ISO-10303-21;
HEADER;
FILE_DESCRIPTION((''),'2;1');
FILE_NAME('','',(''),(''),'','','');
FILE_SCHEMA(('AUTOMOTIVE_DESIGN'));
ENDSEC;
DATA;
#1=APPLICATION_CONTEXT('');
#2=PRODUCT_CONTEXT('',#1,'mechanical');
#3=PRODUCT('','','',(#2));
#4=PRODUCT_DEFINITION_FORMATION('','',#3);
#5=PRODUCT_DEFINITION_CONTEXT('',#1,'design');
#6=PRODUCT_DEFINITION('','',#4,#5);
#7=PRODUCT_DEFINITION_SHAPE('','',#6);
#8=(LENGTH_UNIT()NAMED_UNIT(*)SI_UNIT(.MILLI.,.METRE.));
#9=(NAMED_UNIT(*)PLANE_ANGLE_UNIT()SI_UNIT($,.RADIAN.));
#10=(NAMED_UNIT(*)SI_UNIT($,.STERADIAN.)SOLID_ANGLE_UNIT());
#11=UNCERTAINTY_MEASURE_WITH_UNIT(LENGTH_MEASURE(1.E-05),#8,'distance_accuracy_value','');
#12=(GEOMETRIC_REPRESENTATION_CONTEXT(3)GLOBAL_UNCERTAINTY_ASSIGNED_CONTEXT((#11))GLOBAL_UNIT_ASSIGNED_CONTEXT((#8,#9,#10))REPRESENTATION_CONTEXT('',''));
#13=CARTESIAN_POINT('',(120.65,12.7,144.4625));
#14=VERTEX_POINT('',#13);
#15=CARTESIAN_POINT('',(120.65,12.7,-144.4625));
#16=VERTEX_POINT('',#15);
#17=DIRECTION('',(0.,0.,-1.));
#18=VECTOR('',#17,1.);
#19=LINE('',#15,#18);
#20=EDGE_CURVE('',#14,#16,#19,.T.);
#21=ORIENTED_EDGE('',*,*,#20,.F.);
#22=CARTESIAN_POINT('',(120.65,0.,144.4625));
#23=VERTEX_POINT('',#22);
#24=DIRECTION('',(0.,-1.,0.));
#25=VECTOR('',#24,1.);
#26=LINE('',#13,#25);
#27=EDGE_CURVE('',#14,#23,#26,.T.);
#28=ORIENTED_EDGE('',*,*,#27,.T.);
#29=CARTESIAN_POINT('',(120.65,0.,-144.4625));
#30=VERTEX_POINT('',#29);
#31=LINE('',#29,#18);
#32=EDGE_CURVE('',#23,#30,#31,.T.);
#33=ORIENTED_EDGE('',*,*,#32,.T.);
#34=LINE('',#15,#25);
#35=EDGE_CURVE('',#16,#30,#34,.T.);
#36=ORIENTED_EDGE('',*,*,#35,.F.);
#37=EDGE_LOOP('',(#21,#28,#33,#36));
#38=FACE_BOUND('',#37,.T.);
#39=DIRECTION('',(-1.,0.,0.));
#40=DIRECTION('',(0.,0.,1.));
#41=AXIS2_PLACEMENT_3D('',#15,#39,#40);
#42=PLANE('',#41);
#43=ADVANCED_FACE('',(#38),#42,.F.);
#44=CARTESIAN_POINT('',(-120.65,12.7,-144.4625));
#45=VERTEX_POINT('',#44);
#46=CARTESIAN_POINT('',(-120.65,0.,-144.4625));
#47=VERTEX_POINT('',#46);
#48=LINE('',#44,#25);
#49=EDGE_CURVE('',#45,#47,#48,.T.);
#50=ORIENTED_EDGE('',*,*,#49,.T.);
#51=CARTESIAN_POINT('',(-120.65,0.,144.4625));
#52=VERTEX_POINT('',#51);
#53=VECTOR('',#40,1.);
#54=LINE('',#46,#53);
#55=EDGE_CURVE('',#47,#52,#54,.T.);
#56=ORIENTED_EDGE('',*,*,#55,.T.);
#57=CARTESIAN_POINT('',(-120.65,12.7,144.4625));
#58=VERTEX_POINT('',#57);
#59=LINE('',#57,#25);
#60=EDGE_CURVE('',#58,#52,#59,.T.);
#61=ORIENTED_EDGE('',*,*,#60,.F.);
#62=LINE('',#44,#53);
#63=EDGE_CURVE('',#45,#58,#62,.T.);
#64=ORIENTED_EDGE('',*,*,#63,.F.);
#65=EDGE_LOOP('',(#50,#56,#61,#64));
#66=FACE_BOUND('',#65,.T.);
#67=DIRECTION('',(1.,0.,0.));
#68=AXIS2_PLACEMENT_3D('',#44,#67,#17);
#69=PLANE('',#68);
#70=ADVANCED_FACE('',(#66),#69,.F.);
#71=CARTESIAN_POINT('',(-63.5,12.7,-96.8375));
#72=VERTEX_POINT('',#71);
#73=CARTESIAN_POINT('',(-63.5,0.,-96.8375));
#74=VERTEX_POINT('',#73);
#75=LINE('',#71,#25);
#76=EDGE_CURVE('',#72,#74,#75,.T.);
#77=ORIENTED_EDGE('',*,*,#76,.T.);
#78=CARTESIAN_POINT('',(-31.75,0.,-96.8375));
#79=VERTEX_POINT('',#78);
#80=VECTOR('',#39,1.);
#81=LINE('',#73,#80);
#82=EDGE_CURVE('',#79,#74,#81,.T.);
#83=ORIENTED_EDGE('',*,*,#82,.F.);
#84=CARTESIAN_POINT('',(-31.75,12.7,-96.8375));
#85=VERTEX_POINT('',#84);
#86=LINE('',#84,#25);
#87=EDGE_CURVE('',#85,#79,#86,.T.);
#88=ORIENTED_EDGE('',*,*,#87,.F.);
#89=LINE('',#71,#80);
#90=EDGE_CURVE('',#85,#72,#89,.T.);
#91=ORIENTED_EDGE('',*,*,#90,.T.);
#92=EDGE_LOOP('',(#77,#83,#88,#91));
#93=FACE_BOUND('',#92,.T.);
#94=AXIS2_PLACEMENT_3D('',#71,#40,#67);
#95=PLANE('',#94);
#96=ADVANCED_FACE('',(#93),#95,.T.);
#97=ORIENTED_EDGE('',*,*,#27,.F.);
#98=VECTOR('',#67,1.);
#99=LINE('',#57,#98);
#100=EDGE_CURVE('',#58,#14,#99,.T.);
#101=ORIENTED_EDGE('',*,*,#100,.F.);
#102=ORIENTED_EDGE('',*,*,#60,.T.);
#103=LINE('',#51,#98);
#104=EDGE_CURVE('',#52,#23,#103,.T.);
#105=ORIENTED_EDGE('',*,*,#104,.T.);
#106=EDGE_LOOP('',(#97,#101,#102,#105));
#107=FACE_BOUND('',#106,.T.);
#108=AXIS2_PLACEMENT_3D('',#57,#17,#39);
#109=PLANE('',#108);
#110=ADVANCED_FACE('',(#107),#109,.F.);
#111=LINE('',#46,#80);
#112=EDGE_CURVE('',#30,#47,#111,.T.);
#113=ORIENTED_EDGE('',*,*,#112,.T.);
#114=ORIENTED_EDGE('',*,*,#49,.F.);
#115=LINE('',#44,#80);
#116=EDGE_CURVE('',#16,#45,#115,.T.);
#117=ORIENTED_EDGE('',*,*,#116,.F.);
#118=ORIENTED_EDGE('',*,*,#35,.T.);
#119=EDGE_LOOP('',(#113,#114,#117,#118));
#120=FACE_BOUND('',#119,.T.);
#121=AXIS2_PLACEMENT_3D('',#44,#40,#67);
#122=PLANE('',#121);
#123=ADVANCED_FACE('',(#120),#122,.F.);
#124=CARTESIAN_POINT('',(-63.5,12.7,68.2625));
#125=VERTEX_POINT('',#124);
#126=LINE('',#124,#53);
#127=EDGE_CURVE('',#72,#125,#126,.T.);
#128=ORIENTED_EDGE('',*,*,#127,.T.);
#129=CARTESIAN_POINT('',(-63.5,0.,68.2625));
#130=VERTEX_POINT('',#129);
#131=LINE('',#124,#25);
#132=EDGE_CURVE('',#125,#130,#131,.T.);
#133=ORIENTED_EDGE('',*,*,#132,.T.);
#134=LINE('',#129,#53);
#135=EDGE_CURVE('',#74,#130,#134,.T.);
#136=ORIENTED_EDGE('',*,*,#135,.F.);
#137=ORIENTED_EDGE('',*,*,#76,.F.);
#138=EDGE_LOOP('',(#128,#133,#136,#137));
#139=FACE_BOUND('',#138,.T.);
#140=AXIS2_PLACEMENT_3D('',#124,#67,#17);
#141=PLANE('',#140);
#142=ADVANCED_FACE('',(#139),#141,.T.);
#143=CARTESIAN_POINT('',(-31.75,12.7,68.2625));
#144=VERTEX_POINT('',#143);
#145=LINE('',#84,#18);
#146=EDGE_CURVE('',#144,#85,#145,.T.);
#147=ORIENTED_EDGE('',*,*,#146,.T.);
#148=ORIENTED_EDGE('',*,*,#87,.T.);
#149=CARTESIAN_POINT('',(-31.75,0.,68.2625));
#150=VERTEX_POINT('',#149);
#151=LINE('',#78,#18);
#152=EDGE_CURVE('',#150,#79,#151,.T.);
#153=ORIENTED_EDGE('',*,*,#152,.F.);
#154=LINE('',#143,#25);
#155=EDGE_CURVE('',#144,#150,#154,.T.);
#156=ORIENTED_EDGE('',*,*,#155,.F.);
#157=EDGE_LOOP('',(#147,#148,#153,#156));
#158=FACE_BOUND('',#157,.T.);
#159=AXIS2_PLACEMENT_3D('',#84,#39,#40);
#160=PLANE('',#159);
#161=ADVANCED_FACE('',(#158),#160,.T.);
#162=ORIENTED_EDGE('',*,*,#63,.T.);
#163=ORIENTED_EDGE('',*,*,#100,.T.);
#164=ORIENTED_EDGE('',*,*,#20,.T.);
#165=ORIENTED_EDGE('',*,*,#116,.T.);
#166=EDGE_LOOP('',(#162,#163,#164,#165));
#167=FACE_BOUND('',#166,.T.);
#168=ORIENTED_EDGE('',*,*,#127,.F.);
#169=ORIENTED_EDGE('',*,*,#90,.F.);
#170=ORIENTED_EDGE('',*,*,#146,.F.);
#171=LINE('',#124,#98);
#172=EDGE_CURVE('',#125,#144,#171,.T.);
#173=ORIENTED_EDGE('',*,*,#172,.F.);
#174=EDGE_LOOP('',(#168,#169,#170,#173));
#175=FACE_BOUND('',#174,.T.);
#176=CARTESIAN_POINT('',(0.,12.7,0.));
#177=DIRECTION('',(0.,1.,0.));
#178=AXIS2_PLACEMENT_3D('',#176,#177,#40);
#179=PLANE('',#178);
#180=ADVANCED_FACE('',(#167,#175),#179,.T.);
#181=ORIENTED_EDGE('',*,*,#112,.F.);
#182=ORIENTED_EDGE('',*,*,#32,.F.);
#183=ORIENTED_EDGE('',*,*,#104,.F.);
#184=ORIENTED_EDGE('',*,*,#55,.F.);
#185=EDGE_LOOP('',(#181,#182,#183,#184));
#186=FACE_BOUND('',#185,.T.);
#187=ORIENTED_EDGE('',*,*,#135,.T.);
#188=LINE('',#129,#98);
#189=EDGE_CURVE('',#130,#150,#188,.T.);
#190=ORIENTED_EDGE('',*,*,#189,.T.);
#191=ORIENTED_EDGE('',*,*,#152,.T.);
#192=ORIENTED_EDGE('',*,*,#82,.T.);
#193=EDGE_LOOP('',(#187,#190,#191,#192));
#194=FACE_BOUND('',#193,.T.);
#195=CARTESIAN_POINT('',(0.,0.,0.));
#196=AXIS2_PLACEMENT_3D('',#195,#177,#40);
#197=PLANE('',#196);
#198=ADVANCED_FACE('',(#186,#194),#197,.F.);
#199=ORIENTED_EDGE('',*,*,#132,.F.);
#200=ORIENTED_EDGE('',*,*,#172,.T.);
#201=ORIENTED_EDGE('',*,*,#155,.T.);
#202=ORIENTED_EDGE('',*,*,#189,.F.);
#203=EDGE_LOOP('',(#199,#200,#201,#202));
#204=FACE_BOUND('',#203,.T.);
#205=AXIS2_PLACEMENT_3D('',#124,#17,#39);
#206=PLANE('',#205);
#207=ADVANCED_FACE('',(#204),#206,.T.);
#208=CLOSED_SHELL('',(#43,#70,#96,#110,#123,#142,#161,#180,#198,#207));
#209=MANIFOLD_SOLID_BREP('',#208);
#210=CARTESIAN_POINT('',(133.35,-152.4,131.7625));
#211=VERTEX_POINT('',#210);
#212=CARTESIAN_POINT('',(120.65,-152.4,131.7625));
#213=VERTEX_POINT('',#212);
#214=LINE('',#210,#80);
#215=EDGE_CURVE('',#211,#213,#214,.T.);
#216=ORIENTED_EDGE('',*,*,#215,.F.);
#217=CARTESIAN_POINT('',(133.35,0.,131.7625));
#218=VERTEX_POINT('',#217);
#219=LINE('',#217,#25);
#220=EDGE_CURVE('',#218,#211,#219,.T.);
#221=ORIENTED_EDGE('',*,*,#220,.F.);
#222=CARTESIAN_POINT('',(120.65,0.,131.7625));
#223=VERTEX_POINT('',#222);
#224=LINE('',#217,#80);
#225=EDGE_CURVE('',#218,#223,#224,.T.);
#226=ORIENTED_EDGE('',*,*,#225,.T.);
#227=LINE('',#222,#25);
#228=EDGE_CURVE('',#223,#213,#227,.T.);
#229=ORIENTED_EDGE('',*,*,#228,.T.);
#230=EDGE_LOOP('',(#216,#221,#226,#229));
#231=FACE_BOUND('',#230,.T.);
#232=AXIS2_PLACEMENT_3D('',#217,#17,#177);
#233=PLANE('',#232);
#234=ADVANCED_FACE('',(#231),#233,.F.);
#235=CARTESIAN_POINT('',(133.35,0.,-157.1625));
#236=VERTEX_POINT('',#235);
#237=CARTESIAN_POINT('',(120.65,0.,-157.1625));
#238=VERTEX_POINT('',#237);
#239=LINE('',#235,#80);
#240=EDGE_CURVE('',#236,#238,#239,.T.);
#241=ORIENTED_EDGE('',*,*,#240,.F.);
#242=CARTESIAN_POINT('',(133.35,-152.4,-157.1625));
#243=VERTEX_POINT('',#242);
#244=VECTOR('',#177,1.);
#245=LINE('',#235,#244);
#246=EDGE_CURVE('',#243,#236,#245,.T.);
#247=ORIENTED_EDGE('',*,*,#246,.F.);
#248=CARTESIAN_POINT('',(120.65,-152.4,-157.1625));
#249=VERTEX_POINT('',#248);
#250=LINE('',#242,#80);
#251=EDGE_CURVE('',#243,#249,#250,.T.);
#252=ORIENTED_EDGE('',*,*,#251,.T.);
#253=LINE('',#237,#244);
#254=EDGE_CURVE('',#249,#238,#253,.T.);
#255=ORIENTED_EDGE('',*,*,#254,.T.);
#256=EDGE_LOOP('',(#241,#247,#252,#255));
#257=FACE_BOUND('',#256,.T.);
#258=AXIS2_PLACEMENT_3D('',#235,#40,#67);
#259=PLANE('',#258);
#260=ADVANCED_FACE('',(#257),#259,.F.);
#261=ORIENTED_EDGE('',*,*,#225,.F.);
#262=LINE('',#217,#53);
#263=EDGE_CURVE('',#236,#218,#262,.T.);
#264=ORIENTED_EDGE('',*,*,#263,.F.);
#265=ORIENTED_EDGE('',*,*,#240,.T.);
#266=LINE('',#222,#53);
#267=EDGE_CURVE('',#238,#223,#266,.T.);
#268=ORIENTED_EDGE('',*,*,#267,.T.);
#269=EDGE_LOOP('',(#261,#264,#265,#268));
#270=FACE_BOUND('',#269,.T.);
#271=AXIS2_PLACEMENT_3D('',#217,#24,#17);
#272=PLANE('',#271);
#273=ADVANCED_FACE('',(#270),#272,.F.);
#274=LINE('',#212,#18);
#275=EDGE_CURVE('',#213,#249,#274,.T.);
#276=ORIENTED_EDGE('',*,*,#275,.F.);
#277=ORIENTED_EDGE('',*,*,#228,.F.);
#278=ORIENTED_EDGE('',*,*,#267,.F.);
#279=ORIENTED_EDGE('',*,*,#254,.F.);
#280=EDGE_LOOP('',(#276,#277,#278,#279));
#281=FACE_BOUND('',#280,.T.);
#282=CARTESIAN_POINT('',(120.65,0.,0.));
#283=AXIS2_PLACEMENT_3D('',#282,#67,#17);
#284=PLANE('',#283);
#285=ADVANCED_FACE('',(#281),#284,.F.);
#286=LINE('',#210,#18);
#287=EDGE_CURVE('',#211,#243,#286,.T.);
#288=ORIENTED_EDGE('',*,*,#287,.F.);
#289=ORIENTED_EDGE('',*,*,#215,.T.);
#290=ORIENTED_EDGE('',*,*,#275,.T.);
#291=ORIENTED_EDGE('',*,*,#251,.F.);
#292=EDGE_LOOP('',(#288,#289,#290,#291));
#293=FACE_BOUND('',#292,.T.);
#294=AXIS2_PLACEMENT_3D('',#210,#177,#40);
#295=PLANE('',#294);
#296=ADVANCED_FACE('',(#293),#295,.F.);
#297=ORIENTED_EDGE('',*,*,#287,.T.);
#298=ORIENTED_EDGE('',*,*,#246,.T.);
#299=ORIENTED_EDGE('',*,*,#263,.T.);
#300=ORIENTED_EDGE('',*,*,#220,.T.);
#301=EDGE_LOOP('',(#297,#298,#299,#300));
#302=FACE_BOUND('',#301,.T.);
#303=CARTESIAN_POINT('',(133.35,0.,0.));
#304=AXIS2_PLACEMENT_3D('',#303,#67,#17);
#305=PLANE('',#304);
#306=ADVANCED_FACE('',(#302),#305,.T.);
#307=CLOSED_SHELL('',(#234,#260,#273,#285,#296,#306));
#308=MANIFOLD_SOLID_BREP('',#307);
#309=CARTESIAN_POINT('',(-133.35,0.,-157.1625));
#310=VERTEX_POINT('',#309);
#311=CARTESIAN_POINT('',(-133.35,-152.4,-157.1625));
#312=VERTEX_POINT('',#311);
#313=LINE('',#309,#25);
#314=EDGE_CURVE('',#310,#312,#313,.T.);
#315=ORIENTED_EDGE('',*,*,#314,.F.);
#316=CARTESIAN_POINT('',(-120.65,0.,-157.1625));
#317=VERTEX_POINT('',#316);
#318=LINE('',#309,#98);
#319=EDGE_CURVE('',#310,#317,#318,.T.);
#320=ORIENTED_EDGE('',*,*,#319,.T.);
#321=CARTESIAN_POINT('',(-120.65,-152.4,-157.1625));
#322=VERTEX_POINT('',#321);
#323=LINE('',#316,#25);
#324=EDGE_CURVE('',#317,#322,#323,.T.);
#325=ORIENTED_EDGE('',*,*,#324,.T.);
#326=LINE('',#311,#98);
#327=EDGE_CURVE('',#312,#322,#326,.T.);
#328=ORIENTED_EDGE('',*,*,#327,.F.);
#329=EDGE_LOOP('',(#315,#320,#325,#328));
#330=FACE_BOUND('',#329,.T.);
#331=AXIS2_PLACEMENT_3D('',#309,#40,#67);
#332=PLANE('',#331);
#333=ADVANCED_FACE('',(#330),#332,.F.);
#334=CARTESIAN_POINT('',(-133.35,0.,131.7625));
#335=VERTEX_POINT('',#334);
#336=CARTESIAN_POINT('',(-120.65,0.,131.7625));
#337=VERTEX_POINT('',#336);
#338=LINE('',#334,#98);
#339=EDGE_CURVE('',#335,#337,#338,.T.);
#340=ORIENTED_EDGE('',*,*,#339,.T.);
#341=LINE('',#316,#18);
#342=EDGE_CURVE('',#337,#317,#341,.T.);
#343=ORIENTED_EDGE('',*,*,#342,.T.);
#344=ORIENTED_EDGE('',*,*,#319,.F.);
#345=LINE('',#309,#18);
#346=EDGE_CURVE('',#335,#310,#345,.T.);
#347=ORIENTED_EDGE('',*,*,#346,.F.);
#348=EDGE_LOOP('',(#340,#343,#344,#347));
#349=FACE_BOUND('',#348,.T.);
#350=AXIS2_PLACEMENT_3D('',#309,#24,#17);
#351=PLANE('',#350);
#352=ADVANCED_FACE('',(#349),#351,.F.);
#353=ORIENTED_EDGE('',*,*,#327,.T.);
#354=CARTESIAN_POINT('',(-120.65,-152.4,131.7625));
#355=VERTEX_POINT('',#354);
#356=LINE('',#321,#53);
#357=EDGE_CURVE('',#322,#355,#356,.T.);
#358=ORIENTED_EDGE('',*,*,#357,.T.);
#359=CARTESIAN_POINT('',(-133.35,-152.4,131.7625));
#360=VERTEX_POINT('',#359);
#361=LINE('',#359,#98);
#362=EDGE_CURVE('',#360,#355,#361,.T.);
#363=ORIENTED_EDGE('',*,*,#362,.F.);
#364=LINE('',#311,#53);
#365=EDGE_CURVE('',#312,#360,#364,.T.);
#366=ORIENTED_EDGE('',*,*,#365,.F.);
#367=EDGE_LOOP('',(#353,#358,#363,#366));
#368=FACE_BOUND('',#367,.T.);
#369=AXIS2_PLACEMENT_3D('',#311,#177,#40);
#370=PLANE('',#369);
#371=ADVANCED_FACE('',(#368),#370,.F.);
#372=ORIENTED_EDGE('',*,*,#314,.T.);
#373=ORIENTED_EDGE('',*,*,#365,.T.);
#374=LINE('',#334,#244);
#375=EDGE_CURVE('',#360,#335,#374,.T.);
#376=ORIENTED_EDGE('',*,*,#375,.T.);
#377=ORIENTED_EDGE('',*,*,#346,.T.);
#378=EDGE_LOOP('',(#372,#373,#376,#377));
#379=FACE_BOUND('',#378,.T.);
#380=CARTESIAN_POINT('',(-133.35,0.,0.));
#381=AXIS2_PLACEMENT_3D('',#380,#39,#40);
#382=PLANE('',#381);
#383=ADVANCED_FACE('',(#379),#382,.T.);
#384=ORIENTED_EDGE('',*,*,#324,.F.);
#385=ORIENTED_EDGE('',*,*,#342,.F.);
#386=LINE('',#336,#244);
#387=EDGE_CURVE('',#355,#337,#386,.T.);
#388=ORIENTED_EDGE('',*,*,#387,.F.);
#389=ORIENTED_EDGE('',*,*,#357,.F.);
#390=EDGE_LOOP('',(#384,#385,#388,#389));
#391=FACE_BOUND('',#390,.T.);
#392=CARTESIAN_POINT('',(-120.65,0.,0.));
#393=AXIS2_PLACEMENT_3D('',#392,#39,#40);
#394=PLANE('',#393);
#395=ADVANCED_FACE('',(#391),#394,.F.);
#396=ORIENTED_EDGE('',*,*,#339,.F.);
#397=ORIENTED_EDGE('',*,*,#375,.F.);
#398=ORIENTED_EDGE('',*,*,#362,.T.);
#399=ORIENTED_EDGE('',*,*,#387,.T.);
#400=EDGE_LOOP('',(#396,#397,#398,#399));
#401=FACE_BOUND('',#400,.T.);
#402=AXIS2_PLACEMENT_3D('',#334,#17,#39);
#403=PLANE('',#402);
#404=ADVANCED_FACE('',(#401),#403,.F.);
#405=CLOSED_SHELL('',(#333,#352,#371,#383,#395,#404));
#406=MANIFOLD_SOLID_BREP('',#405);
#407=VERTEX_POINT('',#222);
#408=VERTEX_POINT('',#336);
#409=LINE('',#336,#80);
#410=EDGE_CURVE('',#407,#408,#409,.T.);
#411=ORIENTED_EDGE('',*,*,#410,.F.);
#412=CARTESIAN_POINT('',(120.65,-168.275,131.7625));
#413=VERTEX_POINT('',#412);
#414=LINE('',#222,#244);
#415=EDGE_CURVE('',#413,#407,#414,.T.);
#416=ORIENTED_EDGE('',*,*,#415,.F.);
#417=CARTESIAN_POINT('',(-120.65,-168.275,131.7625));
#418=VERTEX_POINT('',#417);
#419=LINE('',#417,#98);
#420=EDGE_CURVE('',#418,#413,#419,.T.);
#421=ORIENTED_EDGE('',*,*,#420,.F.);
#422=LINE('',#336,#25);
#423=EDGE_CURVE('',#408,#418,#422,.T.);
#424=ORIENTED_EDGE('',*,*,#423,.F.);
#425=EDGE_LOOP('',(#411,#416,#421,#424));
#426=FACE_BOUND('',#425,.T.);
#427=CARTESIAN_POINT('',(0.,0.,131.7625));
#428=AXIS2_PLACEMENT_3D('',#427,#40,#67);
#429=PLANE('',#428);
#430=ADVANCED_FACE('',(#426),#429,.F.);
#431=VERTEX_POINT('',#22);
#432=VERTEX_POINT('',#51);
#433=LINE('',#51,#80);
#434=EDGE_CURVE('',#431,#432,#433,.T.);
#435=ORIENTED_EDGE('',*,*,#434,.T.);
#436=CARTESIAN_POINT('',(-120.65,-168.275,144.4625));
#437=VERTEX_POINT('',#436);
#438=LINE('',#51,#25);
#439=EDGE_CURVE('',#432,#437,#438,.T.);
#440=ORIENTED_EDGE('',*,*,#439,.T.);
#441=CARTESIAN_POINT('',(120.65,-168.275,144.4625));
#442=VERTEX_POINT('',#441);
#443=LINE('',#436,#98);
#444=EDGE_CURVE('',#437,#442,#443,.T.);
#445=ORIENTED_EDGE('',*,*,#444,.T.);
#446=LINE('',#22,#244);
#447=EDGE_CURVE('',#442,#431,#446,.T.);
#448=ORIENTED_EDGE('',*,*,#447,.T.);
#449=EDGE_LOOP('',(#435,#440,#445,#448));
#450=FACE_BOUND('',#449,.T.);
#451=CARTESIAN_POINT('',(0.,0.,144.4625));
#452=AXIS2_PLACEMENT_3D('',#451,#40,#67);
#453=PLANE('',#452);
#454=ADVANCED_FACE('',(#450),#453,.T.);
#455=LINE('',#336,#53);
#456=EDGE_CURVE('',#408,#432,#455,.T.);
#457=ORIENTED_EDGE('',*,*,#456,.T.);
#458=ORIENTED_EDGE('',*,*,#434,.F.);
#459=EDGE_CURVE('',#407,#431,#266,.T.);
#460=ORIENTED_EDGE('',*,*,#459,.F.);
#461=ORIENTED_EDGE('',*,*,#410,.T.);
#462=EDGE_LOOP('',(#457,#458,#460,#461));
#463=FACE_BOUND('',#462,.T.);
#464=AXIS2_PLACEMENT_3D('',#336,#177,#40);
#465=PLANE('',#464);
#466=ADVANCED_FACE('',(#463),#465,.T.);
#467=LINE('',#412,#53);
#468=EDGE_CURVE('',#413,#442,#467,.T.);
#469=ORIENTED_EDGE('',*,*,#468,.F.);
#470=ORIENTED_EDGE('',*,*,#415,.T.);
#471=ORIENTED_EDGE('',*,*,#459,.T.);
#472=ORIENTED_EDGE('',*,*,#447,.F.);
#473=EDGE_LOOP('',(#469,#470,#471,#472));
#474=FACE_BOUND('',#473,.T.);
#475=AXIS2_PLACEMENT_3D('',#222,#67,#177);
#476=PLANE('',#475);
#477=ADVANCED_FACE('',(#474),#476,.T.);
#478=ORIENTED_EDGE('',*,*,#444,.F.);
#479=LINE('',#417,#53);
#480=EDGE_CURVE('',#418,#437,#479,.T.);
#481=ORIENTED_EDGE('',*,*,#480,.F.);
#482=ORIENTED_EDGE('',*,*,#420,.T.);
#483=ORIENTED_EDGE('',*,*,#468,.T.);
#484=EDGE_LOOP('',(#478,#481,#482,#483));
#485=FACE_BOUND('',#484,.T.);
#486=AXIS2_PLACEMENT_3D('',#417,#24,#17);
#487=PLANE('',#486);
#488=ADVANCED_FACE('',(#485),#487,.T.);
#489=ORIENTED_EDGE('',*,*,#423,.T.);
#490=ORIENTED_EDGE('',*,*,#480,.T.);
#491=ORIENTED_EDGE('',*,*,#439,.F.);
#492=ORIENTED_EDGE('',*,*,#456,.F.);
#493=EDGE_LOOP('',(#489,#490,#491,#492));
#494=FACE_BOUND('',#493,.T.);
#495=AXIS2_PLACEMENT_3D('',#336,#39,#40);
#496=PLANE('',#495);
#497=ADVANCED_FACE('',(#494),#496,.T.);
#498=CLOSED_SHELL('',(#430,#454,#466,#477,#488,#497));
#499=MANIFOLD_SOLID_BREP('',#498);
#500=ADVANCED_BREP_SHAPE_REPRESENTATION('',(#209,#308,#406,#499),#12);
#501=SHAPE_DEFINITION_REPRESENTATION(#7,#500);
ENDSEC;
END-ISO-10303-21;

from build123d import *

# Parameters (mm, degrees)
SKETCH1_W           = 241.3
SKETCH1_H           = 288.925
SKETCH1_W_2         = 31.75
SKETCH1_H_2         = 165.1
BOSS_EXTRUDE1_DEPTH = 12.7
SKETCH2_W           = 241.3
SKETCH2_H           = 168.275
BOSS_EXTRUDE3_DEPTH = 12.7
SKETCH3_W           = 288.925
SKETCH3_H           = 152.4
BOSS_EXTRUDE4_DEPTH = 12.7
SKETCH5_W           = 288.925
SKETCH5_H           = 152.4
BOSS_EXTRUDE6_DEPTH = 12.7


with BuildPart() as part:
    # Sketch1 → Boss-Extrude1 (new body)
    with BuildSketch(Plane(origin=(0, 0, 0), x_dir=(1, 0, 0), z_dir=(0, 1, 0))):
        Rectangle(SKETCH1_W, SKETCH1_H)
        with Locations((-47.625, 14.2875)):
            Rectangle(SKETCH1_W_2, SKETCH1_H_2, mode=Mode.SUBTRACT)
    extrude(amount=BOSS_EXTRUDE1_DEPTH)


with BuildPart() as body_2:
    # Sketch2 → Boss-Extrude3 (new body)
    with BuildSketch(Plane.XY.offset(144.4625)):
        with Locations((0, -84.1375)):
            Rectangle(SKETCH2_W, SKETCH2_H)
    extrude(amount=-BOSS_EXTRUDE3_DEPTH)


with BuildPart() as body_3:
    # Sketch3 → Boss-Extrude4 (new body)
    with BuildSketch(Plane(origin=(120.65, 0, 0), x_dir=(0, 0, -1), z_dir=(1, 0, 0))):
        with Locations((12.7, -76.2)):
            Rectangle(SKETCH3_W, SKETCH3_H)
    extrude(amount=BOSS_EXTRUDE4_DEPTH)


with BuildPart() as body_4:
    # Sketch5 → Boss-Extrude6 (new body)
    with BuildSketch(Plane.ZY.offset(120.65)):
        with Locations((-12.7, -76.2)):
            Rectangle(SKETCH5_W, SKETCH5_H)
    extrude(amount=BOSS_EXTRUDE6_DEPTH)


solid = Compound([part.part, body_2.part, body_3.part, body_4.part])
